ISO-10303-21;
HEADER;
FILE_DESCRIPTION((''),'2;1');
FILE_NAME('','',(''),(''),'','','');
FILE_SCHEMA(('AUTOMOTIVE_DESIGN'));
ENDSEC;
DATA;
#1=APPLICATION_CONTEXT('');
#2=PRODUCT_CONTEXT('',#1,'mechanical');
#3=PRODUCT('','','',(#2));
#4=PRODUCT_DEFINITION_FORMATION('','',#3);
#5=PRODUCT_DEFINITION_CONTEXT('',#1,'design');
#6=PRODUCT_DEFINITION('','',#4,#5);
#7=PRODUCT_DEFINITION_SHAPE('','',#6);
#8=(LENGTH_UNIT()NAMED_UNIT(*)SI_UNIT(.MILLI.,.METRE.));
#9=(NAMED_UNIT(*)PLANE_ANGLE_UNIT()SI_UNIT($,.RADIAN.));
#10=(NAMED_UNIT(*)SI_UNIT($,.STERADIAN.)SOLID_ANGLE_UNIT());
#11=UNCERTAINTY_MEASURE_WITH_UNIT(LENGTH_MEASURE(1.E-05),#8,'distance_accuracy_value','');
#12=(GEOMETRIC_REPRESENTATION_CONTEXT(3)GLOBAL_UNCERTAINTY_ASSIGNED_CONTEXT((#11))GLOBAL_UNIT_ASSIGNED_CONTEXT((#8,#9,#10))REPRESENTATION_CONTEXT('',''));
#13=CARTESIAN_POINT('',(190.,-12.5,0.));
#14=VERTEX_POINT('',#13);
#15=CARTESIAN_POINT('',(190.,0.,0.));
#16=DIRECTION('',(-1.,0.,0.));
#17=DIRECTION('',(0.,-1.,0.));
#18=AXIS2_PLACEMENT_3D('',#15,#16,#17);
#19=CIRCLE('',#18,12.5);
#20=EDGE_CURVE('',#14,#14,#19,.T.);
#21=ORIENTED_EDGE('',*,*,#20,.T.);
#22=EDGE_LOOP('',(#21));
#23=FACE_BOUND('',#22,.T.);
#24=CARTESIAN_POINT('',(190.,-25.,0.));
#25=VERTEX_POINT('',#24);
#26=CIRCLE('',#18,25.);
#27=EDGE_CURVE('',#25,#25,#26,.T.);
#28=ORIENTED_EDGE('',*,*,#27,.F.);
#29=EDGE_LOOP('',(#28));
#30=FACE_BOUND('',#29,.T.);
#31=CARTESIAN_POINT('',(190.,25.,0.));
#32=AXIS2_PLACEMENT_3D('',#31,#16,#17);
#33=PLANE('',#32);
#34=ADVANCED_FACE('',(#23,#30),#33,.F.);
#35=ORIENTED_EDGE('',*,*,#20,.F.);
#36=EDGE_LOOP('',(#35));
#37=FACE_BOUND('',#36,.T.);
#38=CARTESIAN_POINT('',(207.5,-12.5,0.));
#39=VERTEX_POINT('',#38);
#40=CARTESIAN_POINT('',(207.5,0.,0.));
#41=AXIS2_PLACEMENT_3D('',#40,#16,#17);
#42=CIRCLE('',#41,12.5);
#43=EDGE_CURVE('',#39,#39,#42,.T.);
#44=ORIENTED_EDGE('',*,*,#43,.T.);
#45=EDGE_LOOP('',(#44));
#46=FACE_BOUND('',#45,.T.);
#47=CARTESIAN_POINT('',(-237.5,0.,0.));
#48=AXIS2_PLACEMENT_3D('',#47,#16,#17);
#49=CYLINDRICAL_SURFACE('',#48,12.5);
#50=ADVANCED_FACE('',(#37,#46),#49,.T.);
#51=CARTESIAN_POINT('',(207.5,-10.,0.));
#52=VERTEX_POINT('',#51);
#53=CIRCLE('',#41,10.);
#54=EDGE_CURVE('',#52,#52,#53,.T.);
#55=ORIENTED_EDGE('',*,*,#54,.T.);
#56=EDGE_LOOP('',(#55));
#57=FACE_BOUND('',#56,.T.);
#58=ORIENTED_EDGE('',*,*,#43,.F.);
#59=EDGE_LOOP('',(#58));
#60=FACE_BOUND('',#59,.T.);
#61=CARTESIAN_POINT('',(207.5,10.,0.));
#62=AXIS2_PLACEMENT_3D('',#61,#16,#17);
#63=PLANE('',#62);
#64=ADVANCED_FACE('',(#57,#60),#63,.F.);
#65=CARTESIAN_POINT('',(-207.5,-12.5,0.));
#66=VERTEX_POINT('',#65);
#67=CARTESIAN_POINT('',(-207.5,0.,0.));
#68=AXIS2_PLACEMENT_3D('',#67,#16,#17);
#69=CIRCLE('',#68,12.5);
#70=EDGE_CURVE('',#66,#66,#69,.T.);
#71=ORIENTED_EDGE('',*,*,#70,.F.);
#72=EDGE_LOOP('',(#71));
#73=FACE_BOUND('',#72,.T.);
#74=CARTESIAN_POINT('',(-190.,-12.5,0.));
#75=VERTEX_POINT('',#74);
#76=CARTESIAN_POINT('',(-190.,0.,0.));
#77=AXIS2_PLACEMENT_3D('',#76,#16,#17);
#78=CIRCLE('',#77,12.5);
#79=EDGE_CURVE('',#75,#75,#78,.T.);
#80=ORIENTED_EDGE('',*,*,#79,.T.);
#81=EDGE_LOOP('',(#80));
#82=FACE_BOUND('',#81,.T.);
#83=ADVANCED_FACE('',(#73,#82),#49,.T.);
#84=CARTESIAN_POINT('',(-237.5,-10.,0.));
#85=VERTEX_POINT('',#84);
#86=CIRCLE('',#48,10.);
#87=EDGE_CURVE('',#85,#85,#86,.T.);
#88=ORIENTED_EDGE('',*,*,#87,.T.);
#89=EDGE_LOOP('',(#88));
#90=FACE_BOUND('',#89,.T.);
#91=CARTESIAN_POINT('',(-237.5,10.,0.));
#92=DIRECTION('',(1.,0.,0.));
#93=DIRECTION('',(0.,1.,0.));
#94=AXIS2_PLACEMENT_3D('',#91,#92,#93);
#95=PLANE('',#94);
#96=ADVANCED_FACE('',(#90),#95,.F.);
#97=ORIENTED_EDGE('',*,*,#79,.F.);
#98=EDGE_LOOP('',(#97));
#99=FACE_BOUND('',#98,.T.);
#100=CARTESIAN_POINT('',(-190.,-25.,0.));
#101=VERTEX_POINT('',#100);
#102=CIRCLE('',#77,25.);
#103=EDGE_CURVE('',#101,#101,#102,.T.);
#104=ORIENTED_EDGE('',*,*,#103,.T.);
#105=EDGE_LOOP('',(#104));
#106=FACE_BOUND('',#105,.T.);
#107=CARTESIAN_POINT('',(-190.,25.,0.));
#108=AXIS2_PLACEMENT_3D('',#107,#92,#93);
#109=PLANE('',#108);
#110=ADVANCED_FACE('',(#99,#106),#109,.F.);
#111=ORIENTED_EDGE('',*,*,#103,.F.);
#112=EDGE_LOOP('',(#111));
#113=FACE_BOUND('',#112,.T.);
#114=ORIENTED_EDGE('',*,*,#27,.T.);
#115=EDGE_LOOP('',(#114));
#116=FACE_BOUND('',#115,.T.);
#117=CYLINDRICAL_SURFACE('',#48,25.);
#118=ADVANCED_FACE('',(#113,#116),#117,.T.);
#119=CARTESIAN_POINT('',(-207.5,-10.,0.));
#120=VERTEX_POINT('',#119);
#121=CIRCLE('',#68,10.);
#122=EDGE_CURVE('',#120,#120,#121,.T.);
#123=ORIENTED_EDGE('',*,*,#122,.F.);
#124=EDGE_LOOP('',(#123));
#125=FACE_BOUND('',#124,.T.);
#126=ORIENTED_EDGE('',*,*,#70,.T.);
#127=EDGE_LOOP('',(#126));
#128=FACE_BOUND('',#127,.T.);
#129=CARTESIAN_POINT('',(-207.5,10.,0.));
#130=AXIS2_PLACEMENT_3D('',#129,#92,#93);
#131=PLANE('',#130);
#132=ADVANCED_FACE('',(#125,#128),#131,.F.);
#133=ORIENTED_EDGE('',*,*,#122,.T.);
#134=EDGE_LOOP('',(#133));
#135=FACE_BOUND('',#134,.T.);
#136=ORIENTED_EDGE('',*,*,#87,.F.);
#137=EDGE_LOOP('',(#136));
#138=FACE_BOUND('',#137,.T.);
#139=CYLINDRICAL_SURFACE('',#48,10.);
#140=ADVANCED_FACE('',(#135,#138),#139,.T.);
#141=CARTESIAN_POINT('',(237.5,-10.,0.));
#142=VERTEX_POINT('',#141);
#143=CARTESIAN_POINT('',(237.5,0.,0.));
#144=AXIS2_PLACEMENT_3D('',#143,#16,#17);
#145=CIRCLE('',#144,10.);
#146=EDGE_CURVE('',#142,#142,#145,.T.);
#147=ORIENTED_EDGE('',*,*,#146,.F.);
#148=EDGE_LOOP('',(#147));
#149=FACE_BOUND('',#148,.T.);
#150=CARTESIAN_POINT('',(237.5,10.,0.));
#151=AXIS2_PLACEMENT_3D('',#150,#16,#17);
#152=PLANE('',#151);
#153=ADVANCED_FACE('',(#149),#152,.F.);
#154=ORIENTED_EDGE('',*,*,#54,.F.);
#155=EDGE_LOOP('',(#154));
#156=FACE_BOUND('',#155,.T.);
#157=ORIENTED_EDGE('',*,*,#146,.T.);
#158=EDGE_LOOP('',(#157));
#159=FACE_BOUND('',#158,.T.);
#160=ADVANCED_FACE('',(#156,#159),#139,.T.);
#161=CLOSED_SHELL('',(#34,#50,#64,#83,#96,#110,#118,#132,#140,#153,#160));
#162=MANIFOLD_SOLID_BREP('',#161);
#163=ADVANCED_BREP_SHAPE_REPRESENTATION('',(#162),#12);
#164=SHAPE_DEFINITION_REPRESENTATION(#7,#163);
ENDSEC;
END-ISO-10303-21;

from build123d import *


with BuildPart() as part:
    # 草图1 → 旋转1 (revolve)
    with BuildSketch(Plane.XY):
        Polygon((-190, 25), (190, 25), (190, 12.5), (207.5, 12.5), (207.5, 10), (237.5, 10), (237.5, 0), (-237.5, 0), (-237.5, 10), (-207.5, 10), (-207.5, 12.5), (-190, 12.5), align=None)
    revolve(axis=Axis((-237.5, 0, 0), (1, 0, 0)))


solid = part.part
